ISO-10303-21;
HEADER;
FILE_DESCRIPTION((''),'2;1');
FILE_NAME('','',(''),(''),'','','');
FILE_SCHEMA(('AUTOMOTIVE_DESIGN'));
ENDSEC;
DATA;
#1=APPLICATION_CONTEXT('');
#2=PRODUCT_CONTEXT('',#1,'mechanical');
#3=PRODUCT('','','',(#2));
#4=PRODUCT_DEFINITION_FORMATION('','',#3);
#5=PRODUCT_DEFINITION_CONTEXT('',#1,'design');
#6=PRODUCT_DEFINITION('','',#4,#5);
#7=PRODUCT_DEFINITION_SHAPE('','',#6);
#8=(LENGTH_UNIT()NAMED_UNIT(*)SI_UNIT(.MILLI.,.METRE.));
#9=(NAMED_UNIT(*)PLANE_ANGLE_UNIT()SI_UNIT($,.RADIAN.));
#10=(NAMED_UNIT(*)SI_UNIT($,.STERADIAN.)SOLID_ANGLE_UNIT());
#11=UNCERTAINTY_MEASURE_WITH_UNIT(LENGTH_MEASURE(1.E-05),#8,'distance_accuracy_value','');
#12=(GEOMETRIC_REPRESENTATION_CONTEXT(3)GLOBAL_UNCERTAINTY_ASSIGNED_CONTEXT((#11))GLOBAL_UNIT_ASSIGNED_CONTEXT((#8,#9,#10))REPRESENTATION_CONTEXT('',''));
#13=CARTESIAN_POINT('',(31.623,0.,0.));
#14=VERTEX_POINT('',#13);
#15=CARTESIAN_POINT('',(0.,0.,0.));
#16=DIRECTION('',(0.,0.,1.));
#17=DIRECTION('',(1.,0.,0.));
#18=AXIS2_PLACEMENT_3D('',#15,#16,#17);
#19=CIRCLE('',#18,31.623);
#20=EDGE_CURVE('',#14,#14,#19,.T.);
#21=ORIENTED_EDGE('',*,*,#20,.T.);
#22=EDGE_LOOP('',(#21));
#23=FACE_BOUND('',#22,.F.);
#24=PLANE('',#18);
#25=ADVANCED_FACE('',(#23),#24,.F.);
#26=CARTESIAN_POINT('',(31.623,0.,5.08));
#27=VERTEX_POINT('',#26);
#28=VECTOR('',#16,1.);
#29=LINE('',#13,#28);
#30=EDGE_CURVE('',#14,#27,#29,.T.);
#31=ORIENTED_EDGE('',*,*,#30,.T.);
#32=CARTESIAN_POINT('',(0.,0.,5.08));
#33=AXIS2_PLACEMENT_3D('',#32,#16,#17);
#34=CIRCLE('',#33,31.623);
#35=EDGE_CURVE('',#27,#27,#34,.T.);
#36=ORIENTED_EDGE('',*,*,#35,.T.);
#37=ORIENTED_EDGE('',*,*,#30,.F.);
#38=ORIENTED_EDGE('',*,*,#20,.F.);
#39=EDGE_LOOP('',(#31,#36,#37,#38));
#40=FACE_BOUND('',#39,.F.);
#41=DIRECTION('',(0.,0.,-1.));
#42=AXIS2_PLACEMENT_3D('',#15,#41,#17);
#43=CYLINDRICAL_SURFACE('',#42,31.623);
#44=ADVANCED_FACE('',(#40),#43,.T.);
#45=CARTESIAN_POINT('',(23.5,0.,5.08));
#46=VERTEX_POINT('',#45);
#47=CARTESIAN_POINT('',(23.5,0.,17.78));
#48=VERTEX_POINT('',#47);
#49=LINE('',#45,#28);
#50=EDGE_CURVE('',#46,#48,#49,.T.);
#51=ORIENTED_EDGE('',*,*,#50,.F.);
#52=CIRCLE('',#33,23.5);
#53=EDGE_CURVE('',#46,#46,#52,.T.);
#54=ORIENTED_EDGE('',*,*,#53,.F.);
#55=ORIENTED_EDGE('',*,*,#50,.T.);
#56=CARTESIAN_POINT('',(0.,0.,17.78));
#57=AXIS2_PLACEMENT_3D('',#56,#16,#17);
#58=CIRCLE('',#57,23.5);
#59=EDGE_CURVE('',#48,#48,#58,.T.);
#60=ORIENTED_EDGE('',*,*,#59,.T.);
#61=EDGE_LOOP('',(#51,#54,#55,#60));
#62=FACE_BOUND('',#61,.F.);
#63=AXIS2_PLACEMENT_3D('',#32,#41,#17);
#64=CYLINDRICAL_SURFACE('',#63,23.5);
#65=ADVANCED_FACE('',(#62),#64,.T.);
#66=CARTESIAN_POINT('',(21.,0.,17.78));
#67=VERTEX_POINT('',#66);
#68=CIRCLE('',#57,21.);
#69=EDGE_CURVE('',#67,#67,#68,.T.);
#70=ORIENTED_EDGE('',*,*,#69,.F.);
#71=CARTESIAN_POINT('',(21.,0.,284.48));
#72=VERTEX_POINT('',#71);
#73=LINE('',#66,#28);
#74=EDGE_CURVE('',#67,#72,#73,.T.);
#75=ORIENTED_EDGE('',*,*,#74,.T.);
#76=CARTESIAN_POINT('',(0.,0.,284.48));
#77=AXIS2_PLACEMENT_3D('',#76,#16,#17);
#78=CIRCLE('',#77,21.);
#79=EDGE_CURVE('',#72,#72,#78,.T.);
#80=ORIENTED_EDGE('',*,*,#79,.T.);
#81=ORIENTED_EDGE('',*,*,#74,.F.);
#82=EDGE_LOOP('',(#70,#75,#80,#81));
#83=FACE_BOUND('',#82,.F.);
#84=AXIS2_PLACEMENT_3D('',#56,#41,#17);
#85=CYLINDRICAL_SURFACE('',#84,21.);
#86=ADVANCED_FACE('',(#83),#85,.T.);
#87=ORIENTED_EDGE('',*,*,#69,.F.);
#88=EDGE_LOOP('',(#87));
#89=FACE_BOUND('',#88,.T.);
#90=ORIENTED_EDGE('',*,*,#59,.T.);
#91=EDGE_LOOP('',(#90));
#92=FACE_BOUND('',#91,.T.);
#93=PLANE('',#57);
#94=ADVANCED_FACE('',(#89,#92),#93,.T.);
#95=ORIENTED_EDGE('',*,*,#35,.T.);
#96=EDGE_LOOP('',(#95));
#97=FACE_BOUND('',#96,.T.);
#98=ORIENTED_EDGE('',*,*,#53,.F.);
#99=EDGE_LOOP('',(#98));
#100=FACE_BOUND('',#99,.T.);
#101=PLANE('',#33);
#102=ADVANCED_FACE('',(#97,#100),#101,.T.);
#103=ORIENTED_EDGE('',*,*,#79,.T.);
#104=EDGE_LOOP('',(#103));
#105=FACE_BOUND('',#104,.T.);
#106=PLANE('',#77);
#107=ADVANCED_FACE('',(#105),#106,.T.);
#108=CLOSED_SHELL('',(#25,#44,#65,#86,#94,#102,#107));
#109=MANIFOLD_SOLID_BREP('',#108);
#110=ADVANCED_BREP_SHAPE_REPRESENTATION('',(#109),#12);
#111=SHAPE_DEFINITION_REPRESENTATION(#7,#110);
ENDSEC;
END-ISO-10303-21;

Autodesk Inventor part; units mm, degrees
ref_plane "YZ Plane" through (0, 0, 0) normal (1, 0, 0) x (0, 1, 0)
ref_plane "XZ Plane" through (0, 0, 0) normal (0, 1, 0) x (-1, 0, 0)
ref_plane "XY Plane" through (0, 0, 0) normal (0, 0, 1) x (1, 0, 0)
sketch "Sketch1" plane through (0, 0, 0) normal (0, 0, 1) x (1, 0, 0)
  circle A0 centre (0, 0) radius 31.623
  dimension "d0" = 63.246
extrude "Extrusion1" add sketch "Sketch1" along normal blind 5.08
sketch "Sketch2" plane through (0, 0, 5.08) normal (0, 0, 1) x (1, 0, 0)
  circle A0 centre (0, 0) radius 23.5
  dimension "d3" = 47
extrude "Extrusion2" add sketch "Sketch2" along normal blind 12.7
sketch "Sketch3" plane through (0, 0, 17.78) normal (0, 0, 1) x (1, 0, 0)
  circle A0 centre (0, 0) radius 21
  dimension "d6" = 42
extrude "Extrusion3" add sketch "Sketch3" along normal blind 266.7
properties part number "4"
